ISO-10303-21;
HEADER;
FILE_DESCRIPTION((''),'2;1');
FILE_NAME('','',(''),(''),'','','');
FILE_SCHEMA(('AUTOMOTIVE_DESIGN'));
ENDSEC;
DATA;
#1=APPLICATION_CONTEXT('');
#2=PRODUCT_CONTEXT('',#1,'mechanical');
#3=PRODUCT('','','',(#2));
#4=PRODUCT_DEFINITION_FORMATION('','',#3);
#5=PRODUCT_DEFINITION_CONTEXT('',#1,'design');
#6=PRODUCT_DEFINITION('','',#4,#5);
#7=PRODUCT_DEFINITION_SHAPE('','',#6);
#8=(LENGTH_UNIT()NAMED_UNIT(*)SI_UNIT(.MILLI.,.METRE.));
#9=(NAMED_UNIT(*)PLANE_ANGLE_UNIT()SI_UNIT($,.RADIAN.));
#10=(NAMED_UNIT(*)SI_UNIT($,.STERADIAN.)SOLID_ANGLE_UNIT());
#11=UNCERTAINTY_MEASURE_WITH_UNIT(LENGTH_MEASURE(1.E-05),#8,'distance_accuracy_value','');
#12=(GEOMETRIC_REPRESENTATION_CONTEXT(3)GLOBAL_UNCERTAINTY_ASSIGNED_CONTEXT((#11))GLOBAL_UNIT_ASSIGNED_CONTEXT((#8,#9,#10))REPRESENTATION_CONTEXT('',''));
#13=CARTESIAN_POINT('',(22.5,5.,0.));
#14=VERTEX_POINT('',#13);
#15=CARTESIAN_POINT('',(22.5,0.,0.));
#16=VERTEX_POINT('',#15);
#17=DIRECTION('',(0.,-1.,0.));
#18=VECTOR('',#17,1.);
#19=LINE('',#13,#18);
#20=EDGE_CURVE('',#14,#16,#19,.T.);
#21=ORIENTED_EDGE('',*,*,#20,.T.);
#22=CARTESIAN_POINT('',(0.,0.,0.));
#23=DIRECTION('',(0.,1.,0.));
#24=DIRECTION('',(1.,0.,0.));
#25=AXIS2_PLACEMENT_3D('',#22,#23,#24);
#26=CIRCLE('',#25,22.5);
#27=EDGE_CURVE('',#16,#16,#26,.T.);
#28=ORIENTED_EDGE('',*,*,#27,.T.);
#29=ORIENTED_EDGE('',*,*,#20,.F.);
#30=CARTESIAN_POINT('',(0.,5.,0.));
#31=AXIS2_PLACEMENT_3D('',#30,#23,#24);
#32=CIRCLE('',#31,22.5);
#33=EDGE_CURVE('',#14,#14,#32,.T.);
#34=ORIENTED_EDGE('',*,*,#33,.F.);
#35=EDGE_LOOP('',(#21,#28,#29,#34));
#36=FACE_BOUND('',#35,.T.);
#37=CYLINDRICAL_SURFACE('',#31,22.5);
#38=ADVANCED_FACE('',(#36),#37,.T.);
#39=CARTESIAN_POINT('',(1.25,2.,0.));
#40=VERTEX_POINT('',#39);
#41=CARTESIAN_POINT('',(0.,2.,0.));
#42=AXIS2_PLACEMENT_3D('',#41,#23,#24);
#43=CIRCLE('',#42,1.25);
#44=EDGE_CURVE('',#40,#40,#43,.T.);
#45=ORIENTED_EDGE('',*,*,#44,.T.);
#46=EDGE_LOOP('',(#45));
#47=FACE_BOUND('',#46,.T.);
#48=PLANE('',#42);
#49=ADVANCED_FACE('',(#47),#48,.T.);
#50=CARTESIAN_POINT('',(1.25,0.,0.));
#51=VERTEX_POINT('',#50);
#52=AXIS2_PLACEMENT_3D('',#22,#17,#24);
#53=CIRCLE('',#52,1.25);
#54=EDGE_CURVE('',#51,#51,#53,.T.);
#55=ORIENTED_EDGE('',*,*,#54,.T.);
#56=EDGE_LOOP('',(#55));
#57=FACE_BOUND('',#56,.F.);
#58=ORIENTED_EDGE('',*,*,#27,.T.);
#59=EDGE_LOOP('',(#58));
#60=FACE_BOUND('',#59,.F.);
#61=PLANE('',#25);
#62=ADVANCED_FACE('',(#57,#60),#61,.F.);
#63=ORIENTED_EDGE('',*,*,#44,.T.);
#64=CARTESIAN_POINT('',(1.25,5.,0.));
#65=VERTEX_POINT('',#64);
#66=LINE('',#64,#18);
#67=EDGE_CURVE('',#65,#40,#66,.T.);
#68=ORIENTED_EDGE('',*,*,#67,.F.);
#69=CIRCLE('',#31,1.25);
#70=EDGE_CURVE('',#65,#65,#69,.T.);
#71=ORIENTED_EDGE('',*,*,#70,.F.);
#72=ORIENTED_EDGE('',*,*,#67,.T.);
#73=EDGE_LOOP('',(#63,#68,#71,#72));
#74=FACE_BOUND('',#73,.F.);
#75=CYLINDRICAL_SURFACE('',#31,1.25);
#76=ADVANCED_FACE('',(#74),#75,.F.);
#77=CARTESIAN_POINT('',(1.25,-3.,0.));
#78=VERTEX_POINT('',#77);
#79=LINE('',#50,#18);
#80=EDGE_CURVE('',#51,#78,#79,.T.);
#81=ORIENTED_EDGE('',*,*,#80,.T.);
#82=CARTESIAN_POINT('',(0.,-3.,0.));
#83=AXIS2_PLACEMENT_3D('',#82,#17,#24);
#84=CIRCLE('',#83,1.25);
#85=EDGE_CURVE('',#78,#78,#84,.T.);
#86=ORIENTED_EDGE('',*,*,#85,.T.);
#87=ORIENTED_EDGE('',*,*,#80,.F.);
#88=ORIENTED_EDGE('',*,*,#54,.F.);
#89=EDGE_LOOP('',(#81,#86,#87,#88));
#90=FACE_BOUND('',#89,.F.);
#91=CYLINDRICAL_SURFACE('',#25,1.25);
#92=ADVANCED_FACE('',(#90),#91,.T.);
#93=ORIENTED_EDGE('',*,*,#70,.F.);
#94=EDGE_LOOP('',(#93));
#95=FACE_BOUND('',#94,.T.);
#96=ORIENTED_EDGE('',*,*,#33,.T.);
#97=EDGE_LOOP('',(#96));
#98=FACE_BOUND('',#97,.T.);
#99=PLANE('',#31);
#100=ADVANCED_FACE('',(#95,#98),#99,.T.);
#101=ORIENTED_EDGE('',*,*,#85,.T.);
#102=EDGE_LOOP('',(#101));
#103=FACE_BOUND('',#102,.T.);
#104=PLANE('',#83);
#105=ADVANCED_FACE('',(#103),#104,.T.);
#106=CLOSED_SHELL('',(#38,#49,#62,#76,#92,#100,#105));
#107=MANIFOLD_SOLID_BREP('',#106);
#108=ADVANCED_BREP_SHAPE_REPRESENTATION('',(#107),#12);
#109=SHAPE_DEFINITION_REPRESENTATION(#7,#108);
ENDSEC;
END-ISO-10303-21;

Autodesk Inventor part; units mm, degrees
ref_plane "YZ Plane" through (0, 0, 0) normal (1, 0, 0) x (0, 1, 0)
ref_plane "XZ Plane" through (0, 0, 0) normal (0, 1, 0) x (-1, 0, 0)
ref_plane "XY Plane" through (0, 0, 0) normal (0, 0, 1) x (1, 0, 0)
sketch "スケッチ1" plane through (0, 0, 0) normal (0, 1, 0) x (-1, 0, 0)
  circle A0 centre (0, 0) radius 12.5
  dimension "d0" = 25
extrude "押し出し1" add sketch "スケッチ1" along normal blind 5
sketch "スケッチ2" plane through (0, 5, 0) normal (0, 1, 0) x (1, 0, 0)
  circle A0 centre (0, 0) radius 12.5 projected
  circle A1 centre (0, 0) radius 1.25
  dimension "d3" = 2.5
extrude "押し出し2" cut sketch "スケッチ2" against normal blind 3 contours A1
sketch "スケッチ3" plane through (0, 0, 0) normal (0, -1, 0) x (1, 0, 0)
  circle A0 centre (0, 0) radius 12.5 projected
  circle A1 centre (0, 0) radius 1.25
  dimension "d6" = 2.5
extrude "押し出し3" add sketch "スケッチ3" along normal blind 3 contours A1
sketch "スケッチ4" plane through (0, 5, 0) normal (0, 1, 0) x (1, 0, 0)
  circle A0 centre (0, 0) radius 12.5 projected
  circle A1 centre (0, 0) radius 17.5
  dimension "d9" = 35
extrude "押し出し4" add sketch "スケッチ4" against normal blind 5
sketch "スケッチ5" plane through (0, 5, 0) normal (0, 1, 0) x (1, 0, 0)
  circle A0 centre (0, 0) radius 17.5 projected
  circle A1 centre (0, 0) radius 1.25 projected
  circle A2 centre (0, 0) radius 22.5
  dimension "d12" = 45
extrude "押し出し5" add sketch "スケッチ5" against normal blind 5 contours A2
properties part number "知能ロボコンシリンダ延長45mm"
